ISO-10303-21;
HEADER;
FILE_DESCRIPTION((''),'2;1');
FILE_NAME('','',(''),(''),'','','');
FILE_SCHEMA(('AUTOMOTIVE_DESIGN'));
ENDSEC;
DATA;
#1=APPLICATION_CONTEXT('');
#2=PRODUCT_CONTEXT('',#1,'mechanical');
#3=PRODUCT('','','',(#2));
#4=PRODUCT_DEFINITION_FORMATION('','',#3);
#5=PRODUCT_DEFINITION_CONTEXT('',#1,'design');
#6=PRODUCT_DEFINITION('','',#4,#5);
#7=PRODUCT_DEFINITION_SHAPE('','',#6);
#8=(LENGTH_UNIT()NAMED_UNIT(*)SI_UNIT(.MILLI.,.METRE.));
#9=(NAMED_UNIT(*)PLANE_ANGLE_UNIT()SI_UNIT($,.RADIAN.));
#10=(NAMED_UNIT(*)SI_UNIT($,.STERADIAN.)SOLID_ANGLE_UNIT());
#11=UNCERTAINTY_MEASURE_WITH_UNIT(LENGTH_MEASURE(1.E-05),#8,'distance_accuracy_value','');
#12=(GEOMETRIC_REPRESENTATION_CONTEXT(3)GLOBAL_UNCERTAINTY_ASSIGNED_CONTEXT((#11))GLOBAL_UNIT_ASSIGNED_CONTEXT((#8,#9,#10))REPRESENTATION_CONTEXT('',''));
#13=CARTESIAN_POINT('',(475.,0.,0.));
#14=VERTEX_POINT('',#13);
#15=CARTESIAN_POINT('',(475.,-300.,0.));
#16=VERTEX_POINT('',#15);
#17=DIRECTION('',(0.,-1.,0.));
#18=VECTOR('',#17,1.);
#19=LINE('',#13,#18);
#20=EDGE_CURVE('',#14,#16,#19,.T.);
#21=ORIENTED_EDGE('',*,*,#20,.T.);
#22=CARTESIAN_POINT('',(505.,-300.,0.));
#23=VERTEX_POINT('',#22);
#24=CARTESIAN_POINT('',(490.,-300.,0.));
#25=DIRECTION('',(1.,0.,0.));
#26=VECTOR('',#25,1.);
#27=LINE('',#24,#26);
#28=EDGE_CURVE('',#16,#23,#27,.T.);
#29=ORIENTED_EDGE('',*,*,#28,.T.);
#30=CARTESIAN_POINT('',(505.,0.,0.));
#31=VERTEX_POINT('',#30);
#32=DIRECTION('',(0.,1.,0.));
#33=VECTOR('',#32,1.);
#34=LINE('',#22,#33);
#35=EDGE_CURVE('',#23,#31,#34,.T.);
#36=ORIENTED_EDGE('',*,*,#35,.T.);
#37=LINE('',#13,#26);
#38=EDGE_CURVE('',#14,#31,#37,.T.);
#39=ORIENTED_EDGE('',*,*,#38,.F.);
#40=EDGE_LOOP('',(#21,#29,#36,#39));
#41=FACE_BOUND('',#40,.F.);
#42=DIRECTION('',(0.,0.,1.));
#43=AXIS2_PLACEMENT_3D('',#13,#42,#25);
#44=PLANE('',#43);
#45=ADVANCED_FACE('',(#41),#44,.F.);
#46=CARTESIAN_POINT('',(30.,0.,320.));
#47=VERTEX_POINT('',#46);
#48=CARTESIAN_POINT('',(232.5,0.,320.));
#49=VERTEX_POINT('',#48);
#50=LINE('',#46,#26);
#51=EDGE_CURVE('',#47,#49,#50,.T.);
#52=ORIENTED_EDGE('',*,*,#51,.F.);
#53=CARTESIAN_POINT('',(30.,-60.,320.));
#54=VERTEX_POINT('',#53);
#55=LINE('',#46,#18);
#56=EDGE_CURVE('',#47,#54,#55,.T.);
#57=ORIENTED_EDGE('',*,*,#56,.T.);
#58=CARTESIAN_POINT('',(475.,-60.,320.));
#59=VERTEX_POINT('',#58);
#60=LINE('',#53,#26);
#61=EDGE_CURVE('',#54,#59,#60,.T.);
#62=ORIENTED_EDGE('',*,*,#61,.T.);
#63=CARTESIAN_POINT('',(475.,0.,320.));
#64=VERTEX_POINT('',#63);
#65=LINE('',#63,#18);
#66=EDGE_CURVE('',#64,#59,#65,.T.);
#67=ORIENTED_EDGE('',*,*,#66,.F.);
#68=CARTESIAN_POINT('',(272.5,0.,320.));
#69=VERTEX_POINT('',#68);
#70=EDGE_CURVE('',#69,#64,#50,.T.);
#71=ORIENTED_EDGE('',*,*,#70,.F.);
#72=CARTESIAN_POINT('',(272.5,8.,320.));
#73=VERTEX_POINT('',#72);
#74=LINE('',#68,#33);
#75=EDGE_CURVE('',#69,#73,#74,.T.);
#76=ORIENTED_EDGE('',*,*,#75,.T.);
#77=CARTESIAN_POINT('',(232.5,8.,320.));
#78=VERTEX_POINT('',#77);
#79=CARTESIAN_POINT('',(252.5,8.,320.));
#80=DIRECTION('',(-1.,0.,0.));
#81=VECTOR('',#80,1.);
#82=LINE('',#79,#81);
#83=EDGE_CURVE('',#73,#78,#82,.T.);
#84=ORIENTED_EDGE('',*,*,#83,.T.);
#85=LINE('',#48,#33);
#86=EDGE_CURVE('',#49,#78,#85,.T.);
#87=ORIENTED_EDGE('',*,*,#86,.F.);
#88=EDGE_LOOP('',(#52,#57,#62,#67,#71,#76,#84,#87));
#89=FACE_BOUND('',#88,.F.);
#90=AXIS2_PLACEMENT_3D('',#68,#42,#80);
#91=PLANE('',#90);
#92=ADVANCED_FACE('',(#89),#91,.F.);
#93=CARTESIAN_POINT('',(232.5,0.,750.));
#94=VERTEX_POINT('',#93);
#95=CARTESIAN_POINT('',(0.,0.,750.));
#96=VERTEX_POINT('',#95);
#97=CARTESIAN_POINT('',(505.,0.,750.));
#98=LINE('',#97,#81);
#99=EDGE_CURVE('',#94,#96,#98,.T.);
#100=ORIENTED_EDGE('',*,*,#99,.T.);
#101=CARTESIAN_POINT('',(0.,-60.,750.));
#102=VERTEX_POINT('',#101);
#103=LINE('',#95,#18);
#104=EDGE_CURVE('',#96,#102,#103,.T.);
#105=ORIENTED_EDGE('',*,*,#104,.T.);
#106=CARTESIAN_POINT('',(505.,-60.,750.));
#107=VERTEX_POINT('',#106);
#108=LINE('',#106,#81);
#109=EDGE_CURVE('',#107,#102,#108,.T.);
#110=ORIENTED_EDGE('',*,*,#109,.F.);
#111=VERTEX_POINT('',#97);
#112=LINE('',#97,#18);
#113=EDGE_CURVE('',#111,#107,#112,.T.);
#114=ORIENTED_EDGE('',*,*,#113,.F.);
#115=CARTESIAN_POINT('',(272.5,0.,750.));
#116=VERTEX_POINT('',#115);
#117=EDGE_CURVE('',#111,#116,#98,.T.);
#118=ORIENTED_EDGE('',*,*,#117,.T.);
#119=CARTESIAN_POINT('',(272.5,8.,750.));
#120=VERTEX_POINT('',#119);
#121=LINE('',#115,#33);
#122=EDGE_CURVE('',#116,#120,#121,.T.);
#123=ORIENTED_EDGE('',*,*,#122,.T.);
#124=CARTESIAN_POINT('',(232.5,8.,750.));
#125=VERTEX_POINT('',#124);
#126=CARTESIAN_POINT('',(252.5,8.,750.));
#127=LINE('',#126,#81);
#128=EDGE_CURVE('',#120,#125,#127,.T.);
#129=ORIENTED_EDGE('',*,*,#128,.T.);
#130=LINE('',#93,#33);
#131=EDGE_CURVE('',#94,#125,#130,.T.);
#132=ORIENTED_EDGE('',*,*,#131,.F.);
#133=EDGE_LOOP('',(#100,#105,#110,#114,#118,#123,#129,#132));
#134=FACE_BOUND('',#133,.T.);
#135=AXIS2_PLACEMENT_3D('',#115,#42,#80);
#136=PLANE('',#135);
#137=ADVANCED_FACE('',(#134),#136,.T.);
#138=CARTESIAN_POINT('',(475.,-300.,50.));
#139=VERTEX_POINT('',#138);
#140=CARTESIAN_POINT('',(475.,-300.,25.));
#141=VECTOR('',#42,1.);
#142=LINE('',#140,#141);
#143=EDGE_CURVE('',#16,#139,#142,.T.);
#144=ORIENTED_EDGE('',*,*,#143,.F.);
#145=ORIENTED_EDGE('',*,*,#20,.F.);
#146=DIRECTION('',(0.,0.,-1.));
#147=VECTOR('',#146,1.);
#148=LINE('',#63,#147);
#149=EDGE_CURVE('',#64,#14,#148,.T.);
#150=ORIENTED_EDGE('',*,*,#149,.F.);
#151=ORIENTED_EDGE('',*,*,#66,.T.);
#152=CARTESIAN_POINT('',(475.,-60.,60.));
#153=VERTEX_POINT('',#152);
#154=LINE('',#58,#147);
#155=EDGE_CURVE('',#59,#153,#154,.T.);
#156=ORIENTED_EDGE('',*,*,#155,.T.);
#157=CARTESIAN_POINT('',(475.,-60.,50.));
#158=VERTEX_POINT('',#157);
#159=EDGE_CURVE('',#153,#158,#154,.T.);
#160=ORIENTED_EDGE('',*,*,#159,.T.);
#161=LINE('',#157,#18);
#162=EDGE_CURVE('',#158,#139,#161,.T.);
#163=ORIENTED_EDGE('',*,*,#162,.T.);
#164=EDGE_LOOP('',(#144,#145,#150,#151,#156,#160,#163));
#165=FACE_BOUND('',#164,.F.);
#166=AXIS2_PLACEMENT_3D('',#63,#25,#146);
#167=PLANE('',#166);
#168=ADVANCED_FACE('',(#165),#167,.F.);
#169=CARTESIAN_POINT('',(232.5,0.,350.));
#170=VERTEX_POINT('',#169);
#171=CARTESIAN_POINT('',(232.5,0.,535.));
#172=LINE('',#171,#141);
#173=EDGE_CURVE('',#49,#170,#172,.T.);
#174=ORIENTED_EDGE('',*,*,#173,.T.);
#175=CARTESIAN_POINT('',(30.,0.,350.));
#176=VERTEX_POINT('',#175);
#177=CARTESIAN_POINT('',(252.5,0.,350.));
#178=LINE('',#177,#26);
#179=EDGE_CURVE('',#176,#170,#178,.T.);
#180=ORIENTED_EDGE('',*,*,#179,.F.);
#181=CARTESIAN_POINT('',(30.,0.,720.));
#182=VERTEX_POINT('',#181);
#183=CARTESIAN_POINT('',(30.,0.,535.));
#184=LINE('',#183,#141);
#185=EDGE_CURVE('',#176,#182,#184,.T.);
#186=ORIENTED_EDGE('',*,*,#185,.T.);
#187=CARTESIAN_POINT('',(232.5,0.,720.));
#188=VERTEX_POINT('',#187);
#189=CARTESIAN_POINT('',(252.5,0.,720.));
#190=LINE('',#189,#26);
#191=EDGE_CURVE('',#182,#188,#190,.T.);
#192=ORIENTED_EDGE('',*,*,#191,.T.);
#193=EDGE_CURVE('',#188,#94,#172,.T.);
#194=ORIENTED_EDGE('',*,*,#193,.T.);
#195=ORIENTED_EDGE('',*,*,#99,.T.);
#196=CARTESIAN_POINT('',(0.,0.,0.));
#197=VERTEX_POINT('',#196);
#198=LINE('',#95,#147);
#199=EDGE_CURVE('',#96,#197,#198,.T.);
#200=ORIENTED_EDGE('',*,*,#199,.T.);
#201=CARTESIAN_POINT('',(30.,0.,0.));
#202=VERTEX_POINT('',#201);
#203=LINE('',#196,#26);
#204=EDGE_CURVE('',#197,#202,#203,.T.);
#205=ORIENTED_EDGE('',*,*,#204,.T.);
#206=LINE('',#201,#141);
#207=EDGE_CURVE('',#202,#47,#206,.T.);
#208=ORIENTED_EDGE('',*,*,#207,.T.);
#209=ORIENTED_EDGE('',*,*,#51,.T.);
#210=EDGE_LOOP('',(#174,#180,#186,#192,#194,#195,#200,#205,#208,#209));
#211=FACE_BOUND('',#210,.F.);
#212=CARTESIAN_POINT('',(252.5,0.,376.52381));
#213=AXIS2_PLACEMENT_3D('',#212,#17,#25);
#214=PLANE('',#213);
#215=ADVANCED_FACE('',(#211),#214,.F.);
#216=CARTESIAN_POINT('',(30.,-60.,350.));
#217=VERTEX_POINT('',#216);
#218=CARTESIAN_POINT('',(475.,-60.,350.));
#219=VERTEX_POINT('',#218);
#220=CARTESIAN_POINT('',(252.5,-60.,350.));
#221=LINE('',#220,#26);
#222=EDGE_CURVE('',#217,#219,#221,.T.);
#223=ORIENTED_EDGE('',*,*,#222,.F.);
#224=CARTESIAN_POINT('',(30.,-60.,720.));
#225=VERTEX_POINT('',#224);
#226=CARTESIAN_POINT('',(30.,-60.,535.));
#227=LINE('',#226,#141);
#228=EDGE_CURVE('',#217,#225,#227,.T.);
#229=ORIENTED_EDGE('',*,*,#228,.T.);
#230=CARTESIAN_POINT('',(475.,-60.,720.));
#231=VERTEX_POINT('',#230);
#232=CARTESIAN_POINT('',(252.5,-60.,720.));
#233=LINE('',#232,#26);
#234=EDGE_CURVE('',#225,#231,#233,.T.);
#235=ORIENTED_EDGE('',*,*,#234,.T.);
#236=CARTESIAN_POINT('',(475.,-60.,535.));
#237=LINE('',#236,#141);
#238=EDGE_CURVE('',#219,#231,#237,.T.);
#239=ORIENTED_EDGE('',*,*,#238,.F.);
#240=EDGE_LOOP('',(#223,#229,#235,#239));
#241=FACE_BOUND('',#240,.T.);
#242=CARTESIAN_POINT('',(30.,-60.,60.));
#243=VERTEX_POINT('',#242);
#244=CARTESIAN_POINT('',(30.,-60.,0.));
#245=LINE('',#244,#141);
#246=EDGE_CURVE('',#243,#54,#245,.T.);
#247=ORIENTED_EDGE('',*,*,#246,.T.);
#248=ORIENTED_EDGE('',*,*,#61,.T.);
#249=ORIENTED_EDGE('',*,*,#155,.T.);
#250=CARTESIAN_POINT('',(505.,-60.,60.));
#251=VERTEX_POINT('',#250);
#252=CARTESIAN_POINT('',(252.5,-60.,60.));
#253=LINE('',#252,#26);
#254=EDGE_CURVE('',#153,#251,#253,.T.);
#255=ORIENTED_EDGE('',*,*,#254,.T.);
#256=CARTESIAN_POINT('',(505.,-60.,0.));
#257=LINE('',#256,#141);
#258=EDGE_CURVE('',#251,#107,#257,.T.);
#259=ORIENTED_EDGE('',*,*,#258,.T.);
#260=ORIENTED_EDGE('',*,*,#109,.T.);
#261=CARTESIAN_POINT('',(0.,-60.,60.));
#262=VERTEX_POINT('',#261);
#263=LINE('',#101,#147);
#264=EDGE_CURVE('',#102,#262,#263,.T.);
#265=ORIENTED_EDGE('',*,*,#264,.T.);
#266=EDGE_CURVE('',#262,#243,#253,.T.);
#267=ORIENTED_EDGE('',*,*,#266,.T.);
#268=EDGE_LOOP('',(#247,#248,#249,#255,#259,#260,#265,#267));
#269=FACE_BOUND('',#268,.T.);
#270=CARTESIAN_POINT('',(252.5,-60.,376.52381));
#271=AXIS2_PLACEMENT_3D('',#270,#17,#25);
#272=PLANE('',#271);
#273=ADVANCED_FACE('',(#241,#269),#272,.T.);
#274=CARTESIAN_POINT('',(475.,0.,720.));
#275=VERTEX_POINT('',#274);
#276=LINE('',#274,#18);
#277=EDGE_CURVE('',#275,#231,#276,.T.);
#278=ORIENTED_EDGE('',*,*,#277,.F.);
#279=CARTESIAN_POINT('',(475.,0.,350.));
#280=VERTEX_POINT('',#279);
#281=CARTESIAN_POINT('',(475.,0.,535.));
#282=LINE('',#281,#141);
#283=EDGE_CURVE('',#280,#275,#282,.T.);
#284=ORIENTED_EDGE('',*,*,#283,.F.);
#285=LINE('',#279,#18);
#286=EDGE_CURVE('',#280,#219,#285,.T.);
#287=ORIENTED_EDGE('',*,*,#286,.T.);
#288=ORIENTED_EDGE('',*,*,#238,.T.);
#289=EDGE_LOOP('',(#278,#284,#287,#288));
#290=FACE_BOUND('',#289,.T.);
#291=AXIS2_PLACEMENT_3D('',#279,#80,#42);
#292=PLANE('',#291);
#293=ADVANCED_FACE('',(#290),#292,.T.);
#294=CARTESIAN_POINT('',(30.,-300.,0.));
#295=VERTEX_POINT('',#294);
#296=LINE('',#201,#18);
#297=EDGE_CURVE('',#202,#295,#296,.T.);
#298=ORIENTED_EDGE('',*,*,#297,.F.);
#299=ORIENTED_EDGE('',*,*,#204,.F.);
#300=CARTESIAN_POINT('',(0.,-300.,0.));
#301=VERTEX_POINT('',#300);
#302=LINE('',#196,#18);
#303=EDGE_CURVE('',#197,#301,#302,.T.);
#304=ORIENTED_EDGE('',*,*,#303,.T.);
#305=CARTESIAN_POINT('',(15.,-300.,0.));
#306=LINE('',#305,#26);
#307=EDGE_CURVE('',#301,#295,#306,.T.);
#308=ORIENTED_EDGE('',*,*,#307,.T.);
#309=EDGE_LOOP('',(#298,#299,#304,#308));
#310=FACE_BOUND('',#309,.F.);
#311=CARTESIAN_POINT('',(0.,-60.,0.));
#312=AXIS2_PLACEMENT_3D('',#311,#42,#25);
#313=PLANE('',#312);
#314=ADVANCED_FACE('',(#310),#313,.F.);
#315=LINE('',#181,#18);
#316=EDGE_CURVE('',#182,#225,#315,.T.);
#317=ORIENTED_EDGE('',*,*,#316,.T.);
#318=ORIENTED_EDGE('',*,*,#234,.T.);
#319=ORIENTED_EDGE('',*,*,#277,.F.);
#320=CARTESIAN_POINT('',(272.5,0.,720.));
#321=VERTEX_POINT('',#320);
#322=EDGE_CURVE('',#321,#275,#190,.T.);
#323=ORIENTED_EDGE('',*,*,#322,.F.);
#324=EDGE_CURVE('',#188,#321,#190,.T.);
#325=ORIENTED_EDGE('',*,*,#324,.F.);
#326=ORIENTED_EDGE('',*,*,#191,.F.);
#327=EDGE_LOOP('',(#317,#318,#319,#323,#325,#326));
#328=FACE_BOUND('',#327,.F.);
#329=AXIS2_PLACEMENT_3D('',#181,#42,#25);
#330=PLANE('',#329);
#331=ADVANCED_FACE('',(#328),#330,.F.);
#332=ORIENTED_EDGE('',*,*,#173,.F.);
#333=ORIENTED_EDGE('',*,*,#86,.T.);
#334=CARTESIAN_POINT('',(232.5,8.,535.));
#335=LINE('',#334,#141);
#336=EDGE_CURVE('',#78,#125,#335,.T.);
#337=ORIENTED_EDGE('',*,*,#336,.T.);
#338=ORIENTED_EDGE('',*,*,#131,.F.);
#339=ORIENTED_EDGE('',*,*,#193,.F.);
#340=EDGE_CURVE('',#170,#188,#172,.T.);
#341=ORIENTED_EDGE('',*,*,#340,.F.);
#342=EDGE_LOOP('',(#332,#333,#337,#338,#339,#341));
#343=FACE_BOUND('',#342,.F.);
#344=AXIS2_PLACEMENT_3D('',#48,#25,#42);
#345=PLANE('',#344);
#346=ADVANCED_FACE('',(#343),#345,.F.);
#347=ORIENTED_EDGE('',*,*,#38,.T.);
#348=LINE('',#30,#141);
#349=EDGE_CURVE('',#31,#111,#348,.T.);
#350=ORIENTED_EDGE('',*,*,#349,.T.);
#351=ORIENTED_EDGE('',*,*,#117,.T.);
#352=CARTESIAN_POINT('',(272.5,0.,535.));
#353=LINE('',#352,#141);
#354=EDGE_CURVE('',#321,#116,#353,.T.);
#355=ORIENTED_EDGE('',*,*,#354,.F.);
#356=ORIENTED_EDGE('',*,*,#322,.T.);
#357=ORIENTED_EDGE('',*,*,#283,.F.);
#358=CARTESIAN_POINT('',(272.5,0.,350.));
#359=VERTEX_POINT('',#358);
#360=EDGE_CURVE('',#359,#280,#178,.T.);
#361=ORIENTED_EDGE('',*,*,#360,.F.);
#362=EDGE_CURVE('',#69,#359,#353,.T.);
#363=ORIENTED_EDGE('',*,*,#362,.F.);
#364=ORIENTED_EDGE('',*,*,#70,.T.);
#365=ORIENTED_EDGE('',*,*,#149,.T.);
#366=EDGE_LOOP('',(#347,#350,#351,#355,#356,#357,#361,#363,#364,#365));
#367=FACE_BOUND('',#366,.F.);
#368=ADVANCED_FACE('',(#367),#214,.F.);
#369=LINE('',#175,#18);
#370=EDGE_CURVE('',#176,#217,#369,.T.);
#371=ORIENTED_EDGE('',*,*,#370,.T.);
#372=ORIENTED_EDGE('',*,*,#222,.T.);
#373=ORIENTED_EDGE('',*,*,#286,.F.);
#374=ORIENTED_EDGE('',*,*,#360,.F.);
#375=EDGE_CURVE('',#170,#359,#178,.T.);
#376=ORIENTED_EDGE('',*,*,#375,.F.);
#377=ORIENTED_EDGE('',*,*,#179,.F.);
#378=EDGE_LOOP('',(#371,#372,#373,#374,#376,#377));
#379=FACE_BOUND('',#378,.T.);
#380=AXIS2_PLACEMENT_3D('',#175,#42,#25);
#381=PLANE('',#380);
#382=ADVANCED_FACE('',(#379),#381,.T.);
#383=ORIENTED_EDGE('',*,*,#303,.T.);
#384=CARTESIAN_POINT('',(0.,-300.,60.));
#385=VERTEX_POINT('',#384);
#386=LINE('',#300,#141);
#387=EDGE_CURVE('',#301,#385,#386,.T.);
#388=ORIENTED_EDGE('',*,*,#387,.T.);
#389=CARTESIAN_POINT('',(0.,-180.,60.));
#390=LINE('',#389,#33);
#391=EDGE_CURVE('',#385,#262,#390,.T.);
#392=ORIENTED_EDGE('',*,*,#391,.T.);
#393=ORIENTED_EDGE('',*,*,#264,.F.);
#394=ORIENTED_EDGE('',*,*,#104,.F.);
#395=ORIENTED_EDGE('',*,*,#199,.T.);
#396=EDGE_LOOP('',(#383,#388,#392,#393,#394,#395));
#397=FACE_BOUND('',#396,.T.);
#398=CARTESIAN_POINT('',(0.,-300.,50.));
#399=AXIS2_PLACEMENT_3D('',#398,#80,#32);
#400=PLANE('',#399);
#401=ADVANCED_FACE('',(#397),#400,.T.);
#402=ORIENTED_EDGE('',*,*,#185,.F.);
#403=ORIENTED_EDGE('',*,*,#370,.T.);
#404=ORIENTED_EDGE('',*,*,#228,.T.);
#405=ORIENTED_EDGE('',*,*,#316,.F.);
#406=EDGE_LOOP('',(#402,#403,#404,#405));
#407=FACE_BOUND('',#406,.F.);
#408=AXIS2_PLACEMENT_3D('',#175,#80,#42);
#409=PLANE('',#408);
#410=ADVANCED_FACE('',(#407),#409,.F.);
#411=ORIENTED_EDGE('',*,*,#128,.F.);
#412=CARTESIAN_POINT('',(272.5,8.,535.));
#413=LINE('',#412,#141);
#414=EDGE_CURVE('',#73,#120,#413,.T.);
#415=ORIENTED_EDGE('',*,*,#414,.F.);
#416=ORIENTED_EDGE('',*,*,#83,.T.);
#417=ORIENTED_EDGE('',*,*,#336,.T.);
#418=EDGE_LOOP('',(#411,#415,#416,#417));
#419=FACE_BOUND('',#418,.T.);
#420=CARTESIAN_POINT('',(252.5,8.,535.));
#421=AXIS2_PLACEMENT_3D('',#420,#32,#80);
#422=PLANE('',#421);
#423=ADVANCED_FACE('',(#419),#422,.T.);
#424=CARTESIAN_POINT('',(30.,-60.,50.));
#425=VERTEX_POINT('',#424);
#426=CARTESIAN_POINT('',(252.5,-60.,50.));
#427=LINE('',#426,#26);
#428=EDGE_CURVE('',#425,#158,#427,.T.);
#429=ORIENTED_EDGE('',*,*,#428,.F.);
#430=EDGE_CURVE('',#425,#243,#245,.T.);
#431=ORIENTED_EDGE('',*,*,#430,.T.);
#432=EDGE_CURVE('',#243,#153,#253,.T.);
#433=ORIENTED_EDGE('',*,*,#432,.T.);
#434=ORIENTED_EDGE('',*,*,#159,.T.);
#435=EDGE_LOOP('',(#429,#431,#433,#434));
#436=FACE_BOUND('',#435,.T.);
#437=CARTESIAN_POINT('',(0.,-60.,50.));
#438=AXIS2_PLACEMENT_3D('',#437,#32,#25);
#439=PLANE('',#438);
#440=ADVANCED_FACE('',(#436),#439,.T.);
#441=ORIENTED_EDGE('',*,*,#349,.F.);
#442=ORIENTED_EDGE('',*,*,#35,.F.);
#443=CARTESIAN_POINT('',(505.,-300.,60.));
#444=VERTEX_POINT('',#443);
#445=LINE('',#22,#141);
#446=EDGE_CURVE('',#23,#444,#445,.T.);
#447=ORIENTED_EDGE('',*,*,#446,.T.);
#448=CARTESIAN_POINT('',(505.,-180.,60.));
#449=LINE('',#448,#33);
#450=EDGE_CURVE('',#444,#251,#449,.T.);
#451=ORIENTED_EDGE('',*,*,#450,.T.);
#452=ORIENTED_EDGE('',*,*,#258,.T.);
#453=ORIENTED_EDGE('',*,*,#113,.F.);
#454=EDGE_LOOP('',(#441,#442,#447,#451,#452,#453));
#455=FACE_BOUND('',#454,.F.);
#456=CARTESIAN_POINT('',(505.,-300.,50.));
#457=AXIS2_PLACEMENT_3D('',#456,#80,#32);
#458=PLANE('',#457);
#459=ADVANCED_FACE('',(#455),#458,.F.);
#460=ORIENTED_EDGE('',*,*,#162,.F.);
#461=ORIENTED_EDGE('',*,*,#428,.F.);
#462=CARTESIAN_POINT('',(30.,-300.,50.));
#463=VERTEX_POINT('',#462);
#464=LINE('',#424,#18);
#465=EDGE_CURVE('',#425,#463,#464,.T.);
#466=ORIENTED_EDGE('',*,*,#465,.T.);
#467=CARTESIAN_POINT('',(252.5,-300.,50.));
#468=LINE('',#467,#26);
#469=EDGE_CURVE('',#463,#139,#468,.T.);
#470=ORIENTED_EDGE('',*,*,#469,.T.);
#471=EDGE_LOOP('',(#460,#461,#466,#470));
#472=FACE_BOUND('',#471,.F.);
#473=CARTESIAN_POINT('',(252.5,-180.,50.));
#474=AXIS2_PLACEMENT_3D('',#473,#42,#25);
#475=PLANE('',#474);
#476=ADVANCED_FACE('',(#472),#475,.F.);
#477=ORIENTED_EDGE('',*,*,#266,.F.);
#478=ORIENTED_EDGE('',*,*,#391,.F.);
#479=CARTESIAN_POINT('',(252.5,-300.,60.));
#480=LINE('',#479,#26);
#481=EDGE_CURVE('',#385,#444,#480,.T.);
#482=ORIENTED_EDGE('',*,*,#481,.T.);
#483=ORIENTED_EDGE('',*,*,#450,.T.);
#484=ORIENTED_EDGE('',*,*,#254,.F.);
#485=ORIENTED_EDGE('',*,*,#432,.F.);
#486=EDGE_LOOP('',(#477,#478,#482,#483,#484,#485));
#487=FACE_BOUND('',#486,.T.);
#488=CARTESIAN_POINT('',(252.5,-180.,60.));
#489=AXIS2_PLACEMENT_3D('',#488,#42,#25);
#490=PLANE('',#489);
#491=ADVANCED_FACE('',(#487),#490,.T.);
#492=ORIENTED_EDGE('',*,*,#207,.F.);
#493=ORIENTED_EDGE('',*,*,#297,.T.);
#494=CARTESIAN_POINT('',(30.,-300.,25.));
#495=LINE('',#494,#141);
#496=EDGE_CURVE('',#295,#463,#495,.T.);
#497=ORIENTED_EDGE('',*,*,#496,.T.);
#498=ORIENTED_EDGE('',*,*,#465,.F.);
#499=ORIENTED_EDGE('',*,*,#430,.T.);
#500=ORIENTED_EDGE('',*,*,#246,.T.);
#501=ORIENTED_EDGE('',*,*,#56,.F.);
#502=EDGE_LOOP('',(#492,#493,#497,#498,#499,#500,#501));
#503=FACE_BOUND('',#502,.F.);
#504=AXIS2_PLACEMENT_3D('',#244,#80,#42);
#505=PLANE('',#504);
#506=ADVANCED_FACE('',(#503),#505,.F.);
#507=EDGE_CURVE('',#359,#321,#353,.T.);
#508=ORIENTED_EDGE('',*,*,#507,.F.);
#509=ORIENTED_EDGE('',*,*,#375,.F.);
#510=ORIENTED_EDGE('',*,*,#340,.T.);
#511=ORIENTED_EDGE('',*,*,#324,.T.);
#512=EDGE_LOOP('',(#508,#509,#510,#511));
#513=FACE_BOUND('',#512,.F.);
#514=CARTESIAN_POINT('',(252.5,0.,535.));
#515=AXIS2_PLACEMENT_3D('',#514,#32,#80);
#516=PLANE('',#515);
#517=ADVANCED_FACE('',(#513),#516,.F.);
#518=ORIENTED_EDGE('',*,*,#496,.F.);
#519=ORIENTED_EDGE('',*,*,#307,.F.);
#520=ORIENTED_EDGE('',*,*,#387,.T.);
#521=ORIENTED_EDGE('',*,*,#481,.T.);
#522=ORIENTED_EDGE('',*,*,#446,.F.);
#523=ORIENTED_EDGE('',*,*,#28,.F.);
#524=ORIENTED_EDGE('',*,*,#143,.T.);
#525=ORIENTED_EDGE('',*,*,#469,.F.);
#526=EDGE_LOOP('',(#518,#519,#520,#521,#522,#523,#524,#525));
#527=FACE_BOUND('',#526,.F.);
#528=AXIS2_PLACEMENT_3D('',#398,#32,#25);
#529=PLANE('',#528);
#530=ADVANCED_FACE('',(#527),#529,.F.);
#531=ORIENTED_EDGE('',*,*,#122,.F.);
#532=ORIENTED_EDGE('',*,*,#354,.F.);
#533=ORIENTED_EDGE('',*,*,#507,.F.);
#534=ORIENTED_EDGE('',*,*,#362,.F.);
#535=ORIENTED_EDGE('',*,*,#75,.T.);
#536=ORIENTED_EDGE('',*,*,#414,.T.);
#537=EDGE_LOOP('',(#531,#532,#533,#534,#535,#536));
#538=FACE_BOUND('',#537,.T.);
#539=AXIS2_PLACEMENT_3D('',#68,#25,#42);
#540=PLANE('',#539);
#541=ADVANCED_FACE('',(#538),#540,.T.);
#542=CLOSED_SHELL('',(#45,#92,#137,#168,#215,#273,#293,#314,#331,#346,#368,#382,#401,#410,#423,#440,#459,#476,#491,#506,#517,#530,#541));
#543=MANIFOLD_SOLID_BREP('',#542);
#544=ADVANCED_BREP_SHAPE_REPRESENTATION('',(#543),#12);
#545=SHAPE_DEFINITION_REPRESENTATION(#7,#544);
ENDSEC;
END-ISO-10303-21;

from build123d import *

# Parameters (mm, degrees)
F0_W     = 445
F0_H     = 370
F1_DEPTH = 60
F2_W     = 30
F2_H     = 50
F3_DEPTH = 240
F4_W     = 505
F4_H     = 240
F5_DEPTH = 10
F6_W     = 40
F6_H     = 430
F7_DEPTH = 8


with BuildPart() as f1:
    # F0 (on Front) → F1 (new body)
    with BuildSketch(Plane.XZ):
        Polygon((505, 750), (0, 750), (0, 0), (30, 0), (30, 320), (475, 320), (475, 0), (505, 0), align=None)
        with Locations((252.5, 535)):
            Rectangle(F0_W, F0_H, mode=Mode.SUBTRACT)
    extrude(amount=F1_DEPTH)

    # F2 (on face) → F3 (join)
    with BuildSketch(Plane.XZ.offset(60)):
        with Locations((15, 25)):
            Rectangle(F2_W, F2_H)
        with Locations((490, 25)):
            Rectangle(F2_W, F2_H)
    extrude(amount=F3_DEPTH)

    # F4 (on face) → F5 (join)
    with BuildSketch(Plane.XY.offset(50)):
        with Locations((252.5, -180)):
            Rectangle(F4_W, F4_H)
    extrude(amount=F5_DEPTH)

    # F6 (on face) → F7 (join)
    with BuildSketch(Plane(origin=(0, 0, 0), x_dir=(-1, 0, 0), z_dir=(0, 1, 0))):
        with Locations((-252.5, 535)):
            Rectangle(F6_W, F6_H)
    extrude(amount=F7_DEPTH)


solid = f1.part
